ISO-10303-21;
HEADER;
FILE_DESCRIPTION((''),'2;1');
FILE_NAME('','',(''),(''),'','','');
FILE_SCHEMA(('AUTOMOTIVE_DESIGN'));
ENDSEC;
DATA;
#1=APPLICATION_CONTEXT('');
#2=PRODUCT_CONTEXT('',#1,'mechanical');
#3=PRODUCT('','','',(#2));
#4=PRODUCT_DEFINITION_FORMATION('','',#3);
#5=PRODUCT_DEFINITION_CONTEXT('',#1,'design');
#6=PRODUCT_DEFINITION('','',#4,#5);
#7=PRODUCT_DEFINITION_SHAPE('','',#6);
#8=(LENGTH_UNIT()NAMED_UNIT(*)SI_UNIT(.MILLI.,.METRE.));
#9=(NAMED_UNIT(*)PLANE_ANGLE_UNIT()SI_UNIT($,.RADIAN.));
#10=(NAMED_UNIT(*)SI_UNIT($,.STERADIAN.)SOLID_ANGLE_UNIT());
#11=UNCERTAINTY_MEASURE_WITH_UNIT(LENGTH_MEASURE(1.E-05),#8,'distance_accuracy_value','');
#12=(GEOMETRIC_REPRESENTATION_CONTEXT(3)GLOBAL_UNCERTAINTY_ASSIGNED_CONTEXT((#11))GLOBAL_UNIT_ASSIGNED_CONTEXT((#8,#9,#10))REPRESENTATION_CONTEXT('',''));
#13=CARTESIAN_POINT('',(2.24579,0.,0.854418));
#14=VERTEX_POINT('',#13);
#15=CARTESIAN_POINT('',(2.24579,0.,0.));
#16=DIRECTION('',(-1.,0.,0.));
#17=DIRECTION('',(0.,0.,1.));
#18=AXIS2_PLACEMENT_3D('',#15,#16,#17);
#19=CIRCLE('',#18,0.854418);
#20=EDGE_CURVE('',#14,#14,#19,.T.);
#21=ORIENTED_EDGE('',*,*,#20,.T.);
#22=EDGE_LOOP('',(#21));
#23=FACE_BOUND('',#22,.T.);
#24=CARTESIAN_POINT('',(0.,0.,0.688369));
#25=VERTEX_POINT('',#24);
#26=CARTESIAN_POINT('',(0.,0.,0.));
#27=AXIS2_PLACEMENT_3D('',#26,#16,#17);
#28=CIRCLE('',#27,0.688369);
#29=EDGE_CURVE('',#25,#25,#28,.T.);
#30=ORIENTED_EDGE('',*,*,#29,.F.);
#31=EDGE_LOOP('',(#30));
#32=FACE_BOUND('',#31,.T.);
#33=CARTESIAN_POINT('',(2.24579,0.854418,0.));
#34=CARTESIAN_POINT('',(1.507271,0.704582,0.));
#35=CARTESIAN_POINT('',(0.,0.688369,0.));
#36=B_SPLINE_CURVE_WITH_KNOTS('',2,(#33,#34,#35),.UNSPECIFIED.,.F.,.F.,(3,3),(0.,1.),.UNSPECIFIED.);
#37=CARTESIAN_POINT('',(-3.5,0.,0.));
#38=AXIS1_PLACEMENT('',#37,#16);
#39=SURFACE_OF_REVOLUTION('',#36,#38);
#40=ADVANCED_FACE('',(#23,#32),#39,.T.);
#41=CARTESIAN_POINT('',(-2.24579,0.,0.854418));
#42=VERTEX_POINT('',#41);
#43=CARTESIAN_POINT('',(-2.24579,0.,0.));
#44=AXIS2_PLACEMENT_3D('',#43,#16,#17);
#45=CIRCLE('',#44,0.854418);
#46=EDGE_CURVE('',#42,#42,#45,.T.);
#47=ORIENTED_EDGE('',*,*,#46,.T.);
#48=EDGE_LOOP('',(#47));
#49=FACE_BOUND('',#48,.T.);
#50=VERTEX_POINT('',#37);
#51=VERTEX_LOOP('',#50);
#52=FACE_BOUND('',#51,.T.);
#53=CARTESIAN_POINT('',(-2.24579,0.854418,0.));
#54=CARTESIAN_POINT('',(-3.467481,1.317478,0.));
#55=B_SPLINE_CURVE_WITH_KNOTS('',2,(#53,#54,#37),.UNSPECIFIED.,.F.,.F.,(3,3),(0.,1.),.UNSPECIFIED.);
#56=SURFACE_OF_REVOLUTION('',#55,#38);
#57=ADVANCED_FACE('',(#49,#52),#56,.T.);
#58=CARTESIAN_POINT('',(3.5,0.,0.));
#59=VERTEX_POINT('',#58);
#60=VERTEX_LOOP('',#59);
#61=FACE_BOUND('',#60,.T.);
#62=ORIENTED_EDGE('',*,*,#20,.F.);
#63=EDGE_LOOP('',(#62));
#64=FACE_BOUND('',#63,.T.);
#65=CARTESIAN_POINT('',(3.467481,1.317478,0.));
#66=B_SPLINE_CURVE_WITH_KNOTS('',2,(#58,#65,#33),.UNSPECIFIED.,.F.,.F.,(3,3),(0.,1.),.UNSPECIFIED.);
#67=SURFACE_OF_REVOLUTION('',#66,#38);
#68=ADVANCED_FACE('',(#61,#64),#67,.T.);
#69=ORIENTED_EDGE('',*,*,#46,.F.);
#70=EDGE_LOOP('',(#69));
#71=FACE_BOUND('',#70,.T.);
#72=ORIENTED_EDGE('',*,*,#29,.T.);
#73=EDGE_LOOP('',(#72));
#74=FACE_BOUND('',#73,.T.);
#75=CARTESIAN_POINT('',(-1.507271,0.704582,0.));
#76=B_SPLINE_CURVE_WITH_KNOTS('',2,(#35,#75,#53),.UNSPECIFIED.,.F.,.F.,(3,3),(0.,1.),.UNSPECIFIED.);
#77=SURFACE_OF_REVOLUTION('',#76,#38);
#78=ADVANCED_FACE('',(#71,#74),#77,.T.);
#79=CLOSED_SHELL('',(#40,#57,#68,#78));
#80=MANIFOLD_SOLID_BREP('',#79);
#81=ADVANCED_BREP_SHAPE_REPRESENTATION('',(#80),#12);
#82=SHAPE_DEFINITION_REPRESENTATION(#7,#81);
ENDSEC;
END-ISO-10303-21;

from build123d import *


with BuildPart() as part:
    # Esquisse1 → Révolution1 (revolve)
    with BuildSketch(Plane.XY):
        with BuildLine():
            Line((-3.5, 0), (3.5, 0))
            add(Edge.make_bspline(
                [(3.5, 0), (3.467480709, 1.317478191), (2.245790229, 0.85441809)],
                knots=[0, 0, 0, 1, 1, 1], degree=2))
            add(Edge.make_bspline(
                [(2.245790229, 0.85441809), (1.507271151, 0.704582097), (0, 0.688368718)],
                knots=[0, 0, 0, 1, 1, 1], degree=2))
            add(Edge.make_bspline(
                [(-2.245790229, 0.85441809), (-1.507271151, 0.704582097), (0, 0.688368718)],
                knots=[0, 0, 0, 1, 1, 1], degree=2))
            add(Edge.make_bspline(
                [(-3.5, 0), (-3.467480709, 1.317478191), (-2.245790229, 0.85441809)],
                knots=[0, 0, 0, 1, 1, 1], degree=2))
        make_face()
    revolve(axis=Axis((-3.5, 0, 0), (1, 0, 0)))


solid = part.part
